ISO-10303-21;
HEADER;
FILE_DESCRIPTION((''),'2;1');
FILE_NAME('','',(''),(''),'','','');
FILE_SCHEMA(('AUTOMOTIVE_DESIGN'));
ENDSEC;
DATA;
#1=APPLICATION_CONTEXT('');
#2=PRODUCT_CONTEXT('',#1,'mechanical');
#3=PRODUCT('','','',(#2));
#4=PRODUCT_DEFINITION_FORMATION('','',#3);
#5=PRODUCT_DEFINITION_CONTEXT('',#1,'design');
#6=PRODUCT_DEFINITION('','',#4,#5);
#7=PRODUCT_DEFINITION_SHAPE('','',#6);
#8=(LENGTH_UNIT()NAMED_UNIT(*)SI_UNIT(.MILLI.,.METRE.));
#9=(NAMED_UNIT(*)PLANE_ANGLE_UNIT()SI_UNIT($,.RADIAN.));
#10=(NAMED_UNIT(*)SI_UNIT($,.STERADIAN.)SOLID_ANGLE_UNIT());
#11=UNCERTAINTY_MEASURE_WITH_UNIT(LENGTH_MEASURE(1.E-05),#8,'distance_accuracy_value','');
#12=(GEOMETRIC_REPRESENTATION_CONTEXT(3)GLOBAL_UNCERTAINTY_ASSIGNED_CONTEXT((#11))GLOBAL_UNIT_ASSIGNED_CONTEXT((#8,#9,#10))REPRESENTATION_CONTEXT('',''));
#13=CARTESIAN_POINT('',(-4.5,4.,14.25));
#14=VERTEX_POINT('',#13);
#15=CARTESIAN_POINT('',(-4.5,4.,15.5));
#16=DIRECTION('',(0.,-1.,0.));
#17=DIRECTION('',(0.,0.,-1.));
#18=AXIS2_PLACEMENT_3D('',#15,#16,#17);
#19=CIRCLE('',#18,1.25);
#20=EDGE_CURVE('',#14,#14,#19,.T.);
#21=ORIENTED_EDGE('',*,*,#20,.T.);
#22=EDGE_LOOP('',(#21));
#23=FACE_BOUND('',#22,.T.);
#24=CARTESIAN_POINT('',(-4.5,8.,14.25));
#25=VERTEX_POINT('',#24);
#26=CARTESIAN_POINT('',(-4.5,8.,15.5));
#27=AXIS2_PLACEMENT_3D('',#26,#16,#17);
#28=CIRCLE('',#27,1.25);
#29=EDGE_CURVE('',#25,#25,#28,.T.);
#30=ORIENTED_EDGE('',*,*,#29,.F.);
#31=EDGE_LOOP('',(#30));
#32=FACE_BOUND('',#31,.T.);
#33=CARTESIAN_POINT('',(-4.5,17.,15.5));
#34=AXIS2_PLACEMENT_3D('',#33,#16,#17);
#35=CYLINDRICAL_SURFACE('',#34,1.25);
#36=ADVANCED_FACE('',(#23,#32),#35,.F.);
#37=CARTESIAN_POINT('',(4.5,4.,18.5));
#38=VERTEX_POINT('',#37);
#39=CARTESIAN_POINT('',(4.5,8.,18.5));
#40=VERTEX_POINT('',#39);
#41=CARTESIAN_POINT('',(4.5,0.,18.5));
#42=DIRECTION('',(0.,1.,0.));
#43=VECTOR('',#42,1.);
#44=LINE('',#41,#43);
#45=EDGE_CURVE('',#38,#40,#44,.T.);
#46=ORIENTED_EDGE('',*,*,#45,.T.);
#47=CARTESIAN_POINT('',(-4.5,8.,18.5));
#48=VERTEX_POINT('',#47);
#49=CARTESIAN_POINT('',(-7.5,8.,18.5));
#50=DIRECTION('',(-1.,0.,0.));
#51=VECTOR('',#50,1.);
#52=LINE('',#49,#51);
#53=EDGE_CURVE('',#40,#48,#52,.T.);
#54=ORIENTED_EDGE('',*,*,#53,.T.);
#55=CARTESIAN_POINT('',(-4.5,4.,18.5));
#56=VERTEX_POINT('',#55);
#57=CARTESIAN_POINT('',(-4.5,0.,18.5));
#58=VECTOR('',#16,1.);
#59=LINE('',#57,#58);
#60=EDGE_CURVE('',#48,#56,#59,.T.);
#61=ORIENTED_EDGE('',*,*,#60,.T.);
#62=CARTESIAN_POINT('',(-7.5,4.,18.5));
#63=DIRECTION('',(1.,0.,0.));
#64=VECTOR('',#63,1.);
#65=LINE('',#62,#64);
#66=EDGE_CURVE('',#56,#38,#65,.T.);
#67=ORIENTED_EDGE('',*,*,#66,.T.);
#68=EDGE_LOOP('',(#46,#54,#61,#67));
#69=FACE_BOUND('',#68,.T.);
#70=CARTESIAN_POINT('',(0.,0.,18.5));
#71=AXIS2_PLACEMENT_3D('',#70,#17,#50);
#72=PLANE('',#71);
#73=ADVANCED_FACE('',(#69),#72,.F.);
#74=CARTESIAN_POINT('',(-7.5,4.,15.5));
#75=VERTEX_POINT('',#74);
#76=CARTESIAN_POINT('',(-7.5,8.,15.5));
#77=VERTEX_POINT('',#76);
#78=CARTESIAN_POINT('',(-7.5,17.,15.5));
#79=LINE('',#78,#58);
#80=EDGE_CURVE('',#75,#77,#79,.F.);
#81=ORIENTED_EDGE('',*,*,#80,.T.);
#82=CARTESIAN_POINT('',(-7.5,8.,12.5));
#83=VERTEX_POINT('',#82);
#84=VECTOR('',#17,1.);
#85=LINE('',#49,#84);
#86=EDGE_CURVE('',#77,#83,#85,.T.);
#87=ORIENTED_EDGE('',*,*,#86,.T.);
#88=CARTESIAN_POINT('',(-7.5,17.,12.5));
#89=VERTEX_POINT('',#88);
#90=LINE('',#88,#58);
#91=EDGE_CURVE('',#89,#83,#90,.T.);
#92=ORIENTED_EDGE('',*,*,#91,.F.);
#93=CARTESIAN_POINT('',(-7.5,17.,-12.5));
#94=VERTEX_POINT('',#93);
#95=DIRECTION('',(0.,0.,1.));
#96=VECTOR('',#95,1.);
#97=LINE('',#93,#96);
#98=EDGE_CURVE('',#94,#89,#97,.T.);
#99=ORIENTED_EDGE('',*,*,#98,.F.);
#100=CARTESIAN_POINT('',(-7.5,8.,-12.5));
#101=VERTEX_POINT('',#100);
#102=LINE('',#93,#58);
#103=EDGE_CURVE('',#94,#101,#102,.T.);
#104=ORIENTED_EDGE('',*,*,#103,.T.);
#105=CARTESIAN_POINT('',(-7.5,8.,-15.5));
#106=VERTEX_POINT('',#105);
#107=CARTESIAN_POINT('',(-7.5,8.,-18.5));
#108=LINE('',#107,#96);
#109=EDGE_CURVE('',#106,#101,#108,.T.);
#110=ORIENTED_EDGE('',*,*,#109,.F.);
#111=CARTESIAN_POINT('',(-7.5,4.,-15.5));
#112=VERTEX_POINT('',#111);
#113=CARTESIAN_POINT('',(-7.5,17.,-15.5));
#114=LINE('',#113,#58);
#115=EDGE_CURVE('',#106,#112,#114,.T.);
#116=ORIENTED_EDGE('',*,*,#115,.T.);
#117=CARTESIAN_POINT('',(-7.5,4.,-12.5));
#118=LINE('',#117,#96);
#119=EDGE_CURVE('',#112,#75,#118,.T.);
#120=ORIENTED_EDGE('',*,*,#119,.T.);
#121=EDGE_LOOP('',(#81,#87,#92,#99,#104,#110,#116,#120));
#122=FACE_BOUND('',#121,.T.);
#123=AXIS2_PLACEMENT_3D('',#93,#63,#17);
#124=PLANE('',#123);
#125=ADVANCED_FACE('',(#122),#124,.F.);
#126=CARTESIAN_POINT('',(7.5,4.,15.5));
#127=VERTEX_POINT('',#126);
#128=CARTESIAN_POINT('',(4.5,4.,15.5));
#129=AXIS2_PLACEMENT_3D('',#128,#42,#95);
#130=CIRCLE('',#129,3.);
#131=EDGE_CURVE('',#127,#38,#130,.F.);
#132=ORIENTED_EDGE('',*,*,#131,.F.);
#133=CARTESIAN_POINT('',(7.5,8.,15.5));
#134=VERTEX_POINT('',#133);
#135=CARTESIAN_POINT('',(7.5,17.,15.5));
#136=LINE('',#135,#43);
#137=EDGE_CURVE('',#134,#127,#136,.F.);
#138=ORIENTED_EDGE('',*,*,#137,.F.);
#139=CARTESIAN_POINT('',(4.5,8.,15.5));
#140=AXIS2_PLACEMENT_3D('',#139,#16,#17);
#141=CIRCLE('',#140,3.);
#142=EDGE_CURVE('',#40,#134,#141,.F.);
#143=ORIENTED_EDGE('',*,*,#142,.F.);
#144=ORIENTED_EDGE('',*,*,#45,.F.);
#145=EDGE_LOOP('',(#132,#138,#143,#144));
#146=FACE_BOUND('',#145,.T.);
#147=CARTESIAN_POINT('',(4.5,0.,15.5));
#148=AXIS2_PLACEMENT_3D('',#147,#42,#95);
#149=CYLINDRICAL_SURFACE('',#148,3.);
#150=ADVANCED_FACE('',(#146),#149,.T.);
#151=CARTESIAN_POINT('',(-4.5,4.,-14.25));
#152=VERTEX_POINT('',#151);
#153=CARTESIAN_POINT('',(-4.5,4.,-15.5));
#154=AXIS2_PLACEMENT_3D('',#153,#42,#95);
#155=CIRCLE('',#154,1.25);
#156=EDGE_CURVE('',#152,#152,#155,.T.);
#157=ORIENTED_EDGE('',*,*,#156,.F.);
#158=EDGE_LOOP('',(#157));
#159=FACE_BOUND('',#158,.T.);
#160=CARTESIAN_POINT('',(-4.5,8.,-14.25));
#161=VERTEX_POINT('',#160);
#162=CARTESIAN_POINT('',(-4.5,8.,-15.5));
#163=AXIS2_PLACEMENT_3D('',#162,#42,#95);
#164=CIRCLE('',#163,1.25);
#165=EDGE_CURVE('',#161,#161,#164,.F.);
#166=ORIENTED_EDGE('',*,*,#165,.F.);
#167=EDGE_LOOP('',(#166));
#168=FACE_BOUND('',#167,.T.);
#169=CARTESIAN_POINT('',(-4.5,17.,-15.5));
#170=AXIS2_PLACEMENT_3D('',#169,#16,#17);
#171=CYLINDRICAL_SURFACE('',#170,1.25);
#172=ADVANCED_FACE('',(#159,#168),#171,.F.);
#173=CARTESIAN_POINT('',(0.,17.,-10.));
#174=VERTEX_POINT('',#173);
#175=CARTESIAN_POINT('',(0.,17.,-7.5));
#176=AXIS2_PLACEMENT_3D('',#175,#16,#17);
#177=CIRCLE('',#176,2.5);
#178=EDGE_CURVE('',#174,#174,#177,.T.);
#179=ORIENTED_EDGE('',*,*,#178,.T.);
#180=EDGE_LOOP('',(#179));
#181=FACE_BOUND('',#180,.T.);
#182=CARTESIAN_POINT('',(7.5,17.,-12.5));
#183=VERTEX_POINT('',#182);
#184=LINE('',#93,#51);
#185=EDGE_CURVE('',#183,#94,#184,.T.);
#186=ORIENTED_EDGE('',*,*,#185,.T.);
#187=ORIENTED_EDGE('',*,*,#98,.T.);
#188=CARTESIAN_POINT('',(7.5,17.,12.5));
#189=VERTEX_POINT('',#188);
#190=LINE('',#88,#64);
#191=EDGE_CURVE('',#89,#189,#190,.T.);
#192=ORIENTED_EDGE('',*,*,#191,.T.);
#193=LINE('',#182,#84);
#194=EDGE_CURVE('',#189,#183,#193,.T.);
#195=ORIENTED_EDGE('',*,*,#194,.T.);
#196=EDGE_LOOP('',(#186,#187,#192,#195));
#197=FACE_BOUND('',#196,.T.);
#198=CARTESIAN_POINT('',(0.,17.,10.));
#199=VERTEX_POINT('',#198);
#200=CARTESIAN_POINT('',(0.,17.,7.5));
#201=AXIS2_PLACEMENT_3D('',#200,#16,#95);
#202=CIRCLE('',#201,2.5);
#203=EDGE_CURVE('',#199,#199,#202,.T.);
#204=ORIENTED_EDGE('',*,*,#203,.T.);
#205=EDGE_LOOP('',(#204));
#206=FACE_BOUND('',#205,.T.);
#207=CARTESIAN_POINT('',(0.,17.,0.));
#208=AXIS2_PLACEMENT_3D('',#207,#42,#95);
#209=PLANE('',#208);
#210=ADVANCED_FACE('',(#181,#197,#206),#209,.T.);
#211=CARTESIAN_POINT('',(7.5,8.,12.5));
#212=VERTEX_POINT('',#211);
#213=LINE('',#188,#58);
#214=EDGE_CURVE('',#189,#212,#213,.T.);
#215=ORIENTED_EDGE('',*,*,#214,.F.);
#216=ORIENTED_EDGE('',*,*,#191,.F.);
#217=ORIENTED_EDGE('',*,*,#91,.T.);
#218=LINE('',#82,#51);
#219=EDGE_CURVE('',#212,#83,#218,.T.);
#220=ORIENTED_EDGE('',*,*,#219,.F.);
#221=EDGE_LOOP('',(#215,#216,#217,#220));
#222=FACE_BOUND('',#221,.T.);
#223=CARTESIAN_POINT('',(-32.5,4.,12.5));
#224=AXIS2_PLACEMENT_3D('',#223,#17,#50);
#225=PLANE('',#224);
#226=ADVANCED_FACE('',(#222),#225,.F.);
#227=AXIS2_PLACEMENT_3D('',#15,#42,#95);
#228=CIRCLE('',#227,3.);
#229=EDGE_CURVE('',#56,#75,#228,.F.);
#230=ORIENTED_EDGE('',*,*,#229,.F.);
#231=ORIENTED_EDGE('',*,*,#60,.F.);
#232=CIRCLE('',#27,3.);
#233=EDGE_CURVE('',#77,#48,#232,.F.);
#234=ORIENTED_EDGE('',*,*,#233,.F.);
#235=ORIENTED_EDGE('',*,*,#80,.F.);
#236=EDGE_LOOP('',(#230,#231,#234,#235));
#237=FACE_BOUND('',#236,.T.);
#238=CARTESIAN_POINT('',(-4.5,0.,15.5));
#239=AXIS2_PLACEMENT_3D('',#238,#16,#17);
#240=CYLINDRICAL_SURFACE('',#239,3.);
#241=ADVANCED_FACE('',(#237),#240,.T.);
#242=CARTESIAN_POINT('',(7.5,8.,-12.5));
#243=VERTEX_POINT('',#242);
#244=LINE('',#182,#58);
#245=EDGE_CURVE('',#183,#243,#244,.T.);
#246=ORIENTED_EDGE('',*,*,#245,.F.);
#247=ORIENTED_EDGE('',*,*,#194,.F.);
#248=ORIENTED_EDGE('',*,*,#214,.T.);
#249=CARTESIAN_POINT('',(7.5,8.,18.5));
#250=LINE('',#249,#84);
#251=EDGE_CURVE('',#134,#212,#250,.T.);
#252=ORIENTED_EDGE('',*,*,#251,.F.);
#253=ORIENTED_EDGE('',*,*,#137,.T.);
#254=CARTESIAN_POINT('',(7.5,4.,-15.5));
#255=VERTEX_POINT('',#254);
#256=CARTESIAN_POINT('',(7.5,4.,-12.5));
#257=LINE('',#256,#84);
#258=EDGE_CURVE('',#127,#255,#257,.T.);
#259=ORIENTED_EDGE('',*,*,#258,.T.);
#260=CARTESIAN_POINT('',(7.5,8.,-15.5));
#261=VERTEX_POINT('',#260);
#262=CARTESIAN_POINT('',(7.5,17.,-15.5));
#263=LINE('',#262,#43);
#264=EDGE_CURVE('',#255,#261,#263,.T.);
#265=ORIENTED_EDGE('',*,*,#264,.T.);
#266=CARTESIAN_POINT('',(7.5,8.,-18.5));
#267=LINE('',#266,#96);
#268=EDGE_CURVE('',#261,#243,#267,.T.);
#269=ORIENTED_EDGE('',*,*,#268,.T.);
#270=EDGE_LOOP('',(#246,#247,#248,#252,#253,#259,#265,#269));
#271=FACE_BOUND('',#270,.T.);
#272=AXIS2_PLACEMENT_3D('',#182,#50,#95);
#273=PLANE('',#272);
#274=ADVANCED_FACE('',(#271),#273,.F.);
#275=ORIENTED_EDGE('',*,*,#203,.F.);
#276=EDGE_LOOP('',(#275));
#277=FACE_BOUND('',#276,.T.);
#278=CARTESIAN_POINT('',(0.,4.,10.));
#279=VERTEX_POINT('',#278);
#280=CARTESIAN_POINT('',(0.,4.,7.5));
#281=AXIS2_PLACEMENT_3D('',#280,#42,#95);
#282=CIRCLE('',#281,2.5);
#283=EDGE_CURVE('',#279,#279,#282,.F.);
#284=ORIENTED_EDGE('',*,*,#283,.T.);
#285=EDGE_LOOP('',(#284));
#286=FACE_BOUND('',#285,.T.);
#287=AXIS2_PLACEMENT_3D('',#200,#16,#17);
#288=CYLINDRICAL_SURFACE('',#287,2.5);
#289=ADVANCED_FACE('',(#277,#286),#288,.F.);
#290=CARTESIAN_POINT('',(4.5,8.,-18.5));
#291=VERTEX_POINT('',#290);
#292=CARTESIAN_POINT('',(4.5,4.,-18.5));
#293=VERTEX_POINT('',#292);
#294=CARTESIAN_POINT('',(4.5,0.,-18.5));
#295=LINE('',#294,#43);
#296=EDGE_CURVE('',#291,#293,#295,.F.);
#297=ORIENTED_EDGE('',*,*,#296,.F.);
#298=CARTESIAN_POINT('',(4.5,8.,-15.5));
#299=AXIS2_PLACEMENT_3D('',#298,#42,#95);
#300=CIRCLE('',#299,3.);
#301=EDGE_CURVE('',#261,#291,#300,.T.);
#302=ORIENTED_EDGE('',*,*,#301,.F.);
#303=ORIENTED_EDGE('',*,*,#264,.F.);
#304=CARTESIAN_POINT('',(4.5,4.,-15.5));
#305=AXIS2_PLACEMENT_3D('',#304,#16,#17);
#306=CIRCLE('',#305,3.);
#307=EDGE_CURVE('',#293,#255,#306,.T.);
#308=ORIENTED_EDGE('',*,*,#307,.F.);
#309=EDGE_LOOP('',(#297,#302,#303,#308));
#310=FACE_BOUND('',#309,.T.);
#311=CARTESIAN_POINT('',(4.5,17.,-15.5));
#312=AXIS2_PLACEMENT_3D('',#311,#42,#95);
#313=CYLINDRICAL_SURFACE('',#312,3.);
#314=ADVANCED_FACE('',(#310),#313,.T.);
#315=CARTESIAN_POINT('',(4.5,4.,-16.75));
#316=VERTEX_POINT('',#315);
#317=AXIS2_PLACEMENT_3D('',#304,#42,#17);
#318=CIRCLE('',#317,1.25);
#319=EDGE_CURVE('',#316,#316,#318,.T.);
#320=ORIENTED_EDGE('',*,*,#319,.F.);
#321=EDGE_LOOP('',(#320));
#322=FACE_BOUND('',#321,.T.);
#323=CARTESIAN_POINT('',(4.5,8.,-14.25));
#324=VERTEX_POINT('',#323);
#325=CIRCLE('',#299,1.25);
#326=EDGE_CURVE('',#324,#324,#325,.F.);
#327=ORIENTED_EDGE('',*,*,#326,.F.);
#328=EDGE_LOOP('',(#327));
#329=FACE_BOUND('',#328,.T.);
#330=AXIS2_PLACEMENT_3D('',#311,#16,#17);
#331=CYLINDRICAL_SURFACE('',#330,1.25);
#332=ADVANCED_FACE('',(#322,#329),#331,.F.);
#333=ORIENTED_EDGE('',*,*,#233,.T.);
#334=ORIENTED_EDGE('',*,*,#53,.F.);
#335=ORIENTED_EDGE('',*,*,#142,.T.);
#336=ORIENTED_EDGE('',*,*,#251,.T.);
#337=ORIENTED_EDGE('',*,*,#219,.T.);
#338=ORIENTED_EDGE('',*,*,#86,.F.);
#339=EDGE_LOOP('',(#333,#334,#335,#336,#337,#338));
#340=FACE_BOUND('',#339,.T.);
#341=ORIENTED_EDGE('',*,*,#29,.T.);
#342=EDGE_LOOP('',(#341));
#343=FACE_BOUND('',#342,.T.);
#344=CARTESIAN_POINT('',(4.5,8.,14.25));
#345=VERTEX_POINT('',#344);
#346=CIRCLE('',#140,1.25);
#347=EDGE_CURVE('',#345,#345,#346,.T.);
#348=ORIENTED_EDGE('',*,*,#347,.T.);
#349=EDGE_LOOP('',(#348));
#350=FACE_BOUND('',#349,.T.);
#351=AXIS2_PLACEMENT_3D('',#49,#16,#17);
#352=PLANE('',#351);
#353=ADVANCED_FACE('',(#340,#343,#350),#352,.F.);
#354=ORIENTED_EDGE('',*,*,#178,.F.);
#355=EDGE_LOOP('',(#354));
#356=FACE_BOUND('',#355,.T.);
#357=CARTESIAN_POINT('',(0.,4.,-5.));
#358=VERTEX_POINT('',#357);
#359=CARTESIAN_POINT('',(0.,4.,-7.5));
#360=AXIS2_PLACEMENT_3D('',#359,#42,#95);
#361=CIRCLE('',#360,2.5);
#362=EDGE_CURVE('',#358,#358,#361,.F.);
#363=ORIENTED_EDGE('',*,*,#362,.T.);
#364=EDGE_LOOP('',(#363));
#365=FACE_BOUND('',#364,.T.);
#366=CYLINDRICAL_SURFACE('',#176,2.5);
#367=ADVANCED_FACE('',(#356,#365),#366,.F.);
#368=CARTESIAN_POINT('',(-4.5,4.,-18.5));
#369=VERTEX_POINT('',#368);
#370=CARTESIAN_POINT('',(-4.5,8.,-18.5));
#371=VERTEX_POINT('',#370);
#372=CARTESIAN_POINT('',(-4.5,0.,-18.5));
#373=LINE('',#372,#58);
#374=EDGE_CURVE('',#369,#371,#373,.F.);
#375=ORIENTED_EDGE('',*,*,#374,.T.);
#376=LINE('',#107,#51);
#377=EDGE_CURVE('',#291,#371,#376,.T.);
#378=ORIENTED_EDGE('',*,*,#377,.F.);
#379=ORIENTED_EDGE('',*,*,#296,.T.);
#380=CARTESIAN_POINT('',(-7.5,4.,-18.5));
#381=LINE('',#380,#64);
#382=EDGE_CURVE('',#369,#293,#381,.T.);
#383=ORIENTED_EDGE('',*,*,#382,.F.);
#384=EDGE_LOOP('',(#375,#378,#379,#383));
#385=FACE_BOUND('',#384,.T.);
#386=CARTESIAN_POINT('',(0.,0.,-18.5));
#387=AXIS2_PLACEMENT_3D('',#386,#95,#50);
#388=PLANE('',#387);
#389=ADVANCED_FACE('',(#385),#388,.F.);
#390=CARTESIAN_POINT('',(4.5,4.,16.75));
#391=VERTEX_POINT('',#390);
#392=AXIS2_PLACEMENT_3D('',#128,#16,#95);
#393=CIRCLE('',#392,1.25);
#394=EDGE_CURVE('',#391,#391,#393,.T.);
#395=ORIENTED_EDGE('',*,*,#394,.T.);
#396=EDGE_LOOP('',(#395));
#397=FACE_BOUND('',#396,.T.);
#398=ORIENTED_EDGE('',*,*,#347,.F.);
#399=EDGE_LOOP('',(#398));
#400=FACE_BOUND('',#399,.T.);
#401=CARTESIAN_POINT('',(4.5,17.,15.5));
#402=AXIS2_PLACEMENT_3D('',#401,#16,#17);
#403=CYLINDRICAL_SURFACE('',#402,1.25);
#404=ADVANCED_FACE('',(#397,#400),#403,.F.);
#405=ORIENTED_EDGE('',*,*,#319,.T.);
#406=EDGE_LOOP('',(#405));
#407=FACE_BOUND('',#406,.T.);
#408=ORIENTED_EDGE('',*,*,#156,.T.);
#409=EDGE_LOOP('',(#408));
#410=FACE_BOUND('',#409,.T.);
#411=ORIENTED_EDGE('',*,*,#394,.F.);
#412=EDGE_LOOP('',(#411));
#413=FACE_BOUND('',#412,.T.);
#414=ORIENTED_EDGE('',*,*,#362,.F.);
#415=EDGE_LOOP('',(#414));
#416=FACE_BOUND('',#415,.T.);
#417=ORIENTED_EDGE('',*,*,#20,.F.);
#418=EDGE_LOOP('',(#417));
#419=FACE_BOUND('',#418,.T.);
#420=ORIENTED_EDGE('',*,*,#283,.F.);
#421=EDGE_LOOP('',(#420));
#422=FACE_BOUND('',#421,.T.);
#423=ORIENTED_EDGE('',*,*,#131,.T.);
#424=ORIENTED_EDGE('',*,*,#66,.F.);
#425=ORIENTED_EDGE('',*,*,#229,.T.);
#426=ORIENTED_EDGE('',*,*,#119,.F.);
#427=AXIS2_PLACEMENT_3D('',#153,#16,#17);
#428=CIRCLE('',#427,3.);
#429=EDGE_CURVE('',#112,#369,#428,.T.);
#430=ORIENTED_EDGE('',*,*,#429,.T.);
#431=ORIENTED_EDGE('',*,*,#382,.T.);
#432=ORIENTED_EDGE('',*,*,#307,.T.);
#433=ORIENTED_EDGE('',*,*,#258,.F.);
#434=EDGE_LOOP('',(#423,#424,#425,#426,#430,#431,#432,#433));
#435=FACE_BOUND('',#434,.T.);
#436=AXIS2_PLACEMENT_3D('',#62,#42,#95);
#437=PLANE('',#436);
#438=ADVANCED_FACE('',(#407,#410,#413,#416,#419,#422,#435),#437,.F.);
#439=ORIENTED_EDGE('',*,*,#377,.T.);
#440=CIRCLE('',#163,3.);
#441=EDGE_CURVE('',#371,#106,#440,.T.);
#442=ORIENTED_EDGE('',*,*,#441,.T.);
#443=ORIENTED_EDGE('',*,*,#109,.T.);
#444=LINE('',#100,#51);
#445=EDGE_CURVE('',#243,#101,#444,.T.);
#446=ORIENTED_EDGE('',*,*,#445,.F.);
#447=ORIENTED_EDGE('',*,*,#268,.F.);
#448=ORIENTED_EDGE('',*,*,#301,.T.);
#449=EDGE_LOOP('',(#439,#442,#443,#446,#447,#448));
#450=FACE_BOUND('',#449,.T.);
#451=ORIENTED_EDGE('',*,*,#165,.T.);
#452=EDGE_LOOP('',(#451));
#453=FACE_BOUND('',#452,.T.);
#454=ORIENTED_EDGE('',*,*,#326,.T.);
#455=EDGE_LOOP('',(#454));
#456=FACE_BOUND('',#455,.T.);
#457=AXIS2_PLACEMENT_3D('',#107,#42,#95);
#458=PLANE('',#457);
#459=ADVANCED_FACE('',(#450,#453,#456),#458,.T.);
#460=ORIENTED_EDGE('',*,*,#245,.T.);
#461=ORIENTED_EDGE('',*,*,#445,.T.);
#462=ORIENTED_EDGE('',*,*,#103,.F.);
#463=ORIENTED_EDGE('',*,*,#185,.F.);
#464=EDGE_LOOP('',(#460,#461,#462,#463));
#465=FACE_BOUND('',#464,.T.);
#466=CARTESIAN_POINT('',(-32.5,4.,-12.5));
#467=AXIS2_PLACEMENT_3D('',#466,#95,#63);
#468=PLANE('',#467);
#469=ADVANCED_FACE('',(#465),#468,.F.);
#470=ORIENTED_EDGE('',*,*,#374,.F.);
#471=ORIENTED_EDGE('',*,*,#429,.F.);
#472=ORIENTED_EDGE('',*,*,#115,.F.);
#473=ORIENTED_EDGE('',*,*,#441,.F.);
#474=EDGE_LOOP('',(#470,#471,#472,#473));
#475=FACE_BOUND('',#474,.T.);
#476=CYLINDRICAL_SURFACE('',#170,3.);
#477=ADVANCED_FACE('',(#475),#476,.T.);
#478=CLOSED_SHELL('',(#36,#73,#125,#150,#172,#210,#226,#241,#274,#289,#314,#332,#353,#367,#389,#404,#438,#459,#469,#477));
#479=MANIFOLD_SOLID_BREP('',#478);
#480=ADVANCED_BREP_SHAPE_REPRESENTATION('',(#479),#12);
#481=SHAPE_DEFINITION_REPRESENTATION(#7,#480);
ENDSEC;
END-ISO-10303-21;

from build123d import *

# Parameters (mm, degrees)
SKETCH_1_W          = 65
SKETCH_1_H          = 25
EXTRUDE_1_DEPTH     = 4
SKETCH_2_W          = 15
SKETCH_2_H          = 25
EXTRUDE_2_DEPTH     = 13
SKETCH_3_R          = 2.5
SKETCH_3_R_2        = 4
CUT_EXTRUDE_1_DEPTH = 39.74919354
SKETCH_5_W          = 15
SKETCH_5_H          = 4
EXTRUDE_3_DEPTH     = 6
SKETCH_6_R          = 1.25
CUT_EXTRUDE_3_DEPTH = 40.59166579
FILLET_2_R          = 3
CUT_EXTRUDE_4_DEPTH = 49.023431781


with BuildPart() as part:
    # 草图1 → 凸台-拉伸1 (new body)
    with BuildSketch(Plane(origin=(0, 0, 0), x_dir=(1, 0, 0), z_dir=(0, 1, 0))):
        Rectangle(SKETCH_1_W, SKETCH_1_H)
    extrude(amount=EXTRUDE_1_DEPTH)

    # 草图2 → 凸台-拉伸2 (add)
    with BuildSketch(Plane(origin=(0, 4, 0), x_dir=(1, 0, 0), z_dir=(0, 1, 0))):
        Rectangle(SKETCH_2_W, SKETCH_2_H)
    extrude(amount=EXTRUDE_2_DEPTH)

    # 草图3 → 切除-拉伸1 (cut, through all)
    with BuildSketch(Plane.XZ):
        with Locations(Location((0, -7.5, 0), (0, 0, 270))):
            Circle(SKETCH_3_R)
        with Locations(Location((0, 7.5, 0), (0, 0, 90))):
            Circle(SKETCH_3_R)
        with Locations(Location((-22, 0, 0), (0, 0, 270))):
            Circle(SKETCH_3_R_2)
        with Locations(Location((22, 0, 0), (0, 0, 90))):
            Circle(SKETCH_3_R_2)
    extrude(amount=-CUT_EXTRUDE_1_DEPTH, mode=Mode.SUBTRACT)

    # 草图5 → 凸台-拉伸3 (add)
    with BuildSketch(Plane.XY.offset(12.5)):
        with Locations((0, 6)):
            Rectangle(SKETCH_5_W, SKETCH_5_H)
    extrude_3 = extrude(amount=EXTRUDE_3_DEPTH)

    # 草图6 → 切除-拉伸3 (cut, through all)
    with BuildSketch(Plane.XZ.offset(-4)):
        with Locations(Location((-4.5, 15.5, 0), (0, 0, 270))):
            Circle(SKETCH_6_R)
        with Locations(Location((4.5, 15.5, 0), (0, 0, 270))):
            Circle(SKETCH_6_R)
    cut_extrude_3 = extrude(amount=-CUT_EXTRUDE_3_DEPTH, mode=Mode.SUBTRACT)

    # 镜向2: 凸台-拉伸3, 切除-拉伸3 across plane
    add(extrude_3.mirror(Plane.XY))
    add(cut_extrude_3.mirror(Plane.XY), mode=Mode.SUBTRACT)

    # 圆角2
    fillet_2_edges = [part.edges().sort_by_distance(p)[0] for p in [
        (-7.5, 6, 18.5),
        (7.5, 6, 18.5),
        (-7.5, 6, -18.5),
        (7.5, 6, -18.5),
    ]]
    fillet(fillet_2_edges, radius=FILLET_2_R)

    # 草图7 → 切除-拉伸4 (cut, through all)
    with BuildSketch(Plane(origin=(0, 0, -12.5), x_dir=(-1, 0, 0), z_dir=(0, 0, -1))):
        Polygon((32.5, 4), (7.5, 4), (-7.5, 4), (-32.5, 4), (-32.5, 0), (32.5, 0), align=None)
    extrude(amount=-CUT_EXTRUDE_4_DEPTH, mode=Mode.SUBTRACT)


solid = part.part
